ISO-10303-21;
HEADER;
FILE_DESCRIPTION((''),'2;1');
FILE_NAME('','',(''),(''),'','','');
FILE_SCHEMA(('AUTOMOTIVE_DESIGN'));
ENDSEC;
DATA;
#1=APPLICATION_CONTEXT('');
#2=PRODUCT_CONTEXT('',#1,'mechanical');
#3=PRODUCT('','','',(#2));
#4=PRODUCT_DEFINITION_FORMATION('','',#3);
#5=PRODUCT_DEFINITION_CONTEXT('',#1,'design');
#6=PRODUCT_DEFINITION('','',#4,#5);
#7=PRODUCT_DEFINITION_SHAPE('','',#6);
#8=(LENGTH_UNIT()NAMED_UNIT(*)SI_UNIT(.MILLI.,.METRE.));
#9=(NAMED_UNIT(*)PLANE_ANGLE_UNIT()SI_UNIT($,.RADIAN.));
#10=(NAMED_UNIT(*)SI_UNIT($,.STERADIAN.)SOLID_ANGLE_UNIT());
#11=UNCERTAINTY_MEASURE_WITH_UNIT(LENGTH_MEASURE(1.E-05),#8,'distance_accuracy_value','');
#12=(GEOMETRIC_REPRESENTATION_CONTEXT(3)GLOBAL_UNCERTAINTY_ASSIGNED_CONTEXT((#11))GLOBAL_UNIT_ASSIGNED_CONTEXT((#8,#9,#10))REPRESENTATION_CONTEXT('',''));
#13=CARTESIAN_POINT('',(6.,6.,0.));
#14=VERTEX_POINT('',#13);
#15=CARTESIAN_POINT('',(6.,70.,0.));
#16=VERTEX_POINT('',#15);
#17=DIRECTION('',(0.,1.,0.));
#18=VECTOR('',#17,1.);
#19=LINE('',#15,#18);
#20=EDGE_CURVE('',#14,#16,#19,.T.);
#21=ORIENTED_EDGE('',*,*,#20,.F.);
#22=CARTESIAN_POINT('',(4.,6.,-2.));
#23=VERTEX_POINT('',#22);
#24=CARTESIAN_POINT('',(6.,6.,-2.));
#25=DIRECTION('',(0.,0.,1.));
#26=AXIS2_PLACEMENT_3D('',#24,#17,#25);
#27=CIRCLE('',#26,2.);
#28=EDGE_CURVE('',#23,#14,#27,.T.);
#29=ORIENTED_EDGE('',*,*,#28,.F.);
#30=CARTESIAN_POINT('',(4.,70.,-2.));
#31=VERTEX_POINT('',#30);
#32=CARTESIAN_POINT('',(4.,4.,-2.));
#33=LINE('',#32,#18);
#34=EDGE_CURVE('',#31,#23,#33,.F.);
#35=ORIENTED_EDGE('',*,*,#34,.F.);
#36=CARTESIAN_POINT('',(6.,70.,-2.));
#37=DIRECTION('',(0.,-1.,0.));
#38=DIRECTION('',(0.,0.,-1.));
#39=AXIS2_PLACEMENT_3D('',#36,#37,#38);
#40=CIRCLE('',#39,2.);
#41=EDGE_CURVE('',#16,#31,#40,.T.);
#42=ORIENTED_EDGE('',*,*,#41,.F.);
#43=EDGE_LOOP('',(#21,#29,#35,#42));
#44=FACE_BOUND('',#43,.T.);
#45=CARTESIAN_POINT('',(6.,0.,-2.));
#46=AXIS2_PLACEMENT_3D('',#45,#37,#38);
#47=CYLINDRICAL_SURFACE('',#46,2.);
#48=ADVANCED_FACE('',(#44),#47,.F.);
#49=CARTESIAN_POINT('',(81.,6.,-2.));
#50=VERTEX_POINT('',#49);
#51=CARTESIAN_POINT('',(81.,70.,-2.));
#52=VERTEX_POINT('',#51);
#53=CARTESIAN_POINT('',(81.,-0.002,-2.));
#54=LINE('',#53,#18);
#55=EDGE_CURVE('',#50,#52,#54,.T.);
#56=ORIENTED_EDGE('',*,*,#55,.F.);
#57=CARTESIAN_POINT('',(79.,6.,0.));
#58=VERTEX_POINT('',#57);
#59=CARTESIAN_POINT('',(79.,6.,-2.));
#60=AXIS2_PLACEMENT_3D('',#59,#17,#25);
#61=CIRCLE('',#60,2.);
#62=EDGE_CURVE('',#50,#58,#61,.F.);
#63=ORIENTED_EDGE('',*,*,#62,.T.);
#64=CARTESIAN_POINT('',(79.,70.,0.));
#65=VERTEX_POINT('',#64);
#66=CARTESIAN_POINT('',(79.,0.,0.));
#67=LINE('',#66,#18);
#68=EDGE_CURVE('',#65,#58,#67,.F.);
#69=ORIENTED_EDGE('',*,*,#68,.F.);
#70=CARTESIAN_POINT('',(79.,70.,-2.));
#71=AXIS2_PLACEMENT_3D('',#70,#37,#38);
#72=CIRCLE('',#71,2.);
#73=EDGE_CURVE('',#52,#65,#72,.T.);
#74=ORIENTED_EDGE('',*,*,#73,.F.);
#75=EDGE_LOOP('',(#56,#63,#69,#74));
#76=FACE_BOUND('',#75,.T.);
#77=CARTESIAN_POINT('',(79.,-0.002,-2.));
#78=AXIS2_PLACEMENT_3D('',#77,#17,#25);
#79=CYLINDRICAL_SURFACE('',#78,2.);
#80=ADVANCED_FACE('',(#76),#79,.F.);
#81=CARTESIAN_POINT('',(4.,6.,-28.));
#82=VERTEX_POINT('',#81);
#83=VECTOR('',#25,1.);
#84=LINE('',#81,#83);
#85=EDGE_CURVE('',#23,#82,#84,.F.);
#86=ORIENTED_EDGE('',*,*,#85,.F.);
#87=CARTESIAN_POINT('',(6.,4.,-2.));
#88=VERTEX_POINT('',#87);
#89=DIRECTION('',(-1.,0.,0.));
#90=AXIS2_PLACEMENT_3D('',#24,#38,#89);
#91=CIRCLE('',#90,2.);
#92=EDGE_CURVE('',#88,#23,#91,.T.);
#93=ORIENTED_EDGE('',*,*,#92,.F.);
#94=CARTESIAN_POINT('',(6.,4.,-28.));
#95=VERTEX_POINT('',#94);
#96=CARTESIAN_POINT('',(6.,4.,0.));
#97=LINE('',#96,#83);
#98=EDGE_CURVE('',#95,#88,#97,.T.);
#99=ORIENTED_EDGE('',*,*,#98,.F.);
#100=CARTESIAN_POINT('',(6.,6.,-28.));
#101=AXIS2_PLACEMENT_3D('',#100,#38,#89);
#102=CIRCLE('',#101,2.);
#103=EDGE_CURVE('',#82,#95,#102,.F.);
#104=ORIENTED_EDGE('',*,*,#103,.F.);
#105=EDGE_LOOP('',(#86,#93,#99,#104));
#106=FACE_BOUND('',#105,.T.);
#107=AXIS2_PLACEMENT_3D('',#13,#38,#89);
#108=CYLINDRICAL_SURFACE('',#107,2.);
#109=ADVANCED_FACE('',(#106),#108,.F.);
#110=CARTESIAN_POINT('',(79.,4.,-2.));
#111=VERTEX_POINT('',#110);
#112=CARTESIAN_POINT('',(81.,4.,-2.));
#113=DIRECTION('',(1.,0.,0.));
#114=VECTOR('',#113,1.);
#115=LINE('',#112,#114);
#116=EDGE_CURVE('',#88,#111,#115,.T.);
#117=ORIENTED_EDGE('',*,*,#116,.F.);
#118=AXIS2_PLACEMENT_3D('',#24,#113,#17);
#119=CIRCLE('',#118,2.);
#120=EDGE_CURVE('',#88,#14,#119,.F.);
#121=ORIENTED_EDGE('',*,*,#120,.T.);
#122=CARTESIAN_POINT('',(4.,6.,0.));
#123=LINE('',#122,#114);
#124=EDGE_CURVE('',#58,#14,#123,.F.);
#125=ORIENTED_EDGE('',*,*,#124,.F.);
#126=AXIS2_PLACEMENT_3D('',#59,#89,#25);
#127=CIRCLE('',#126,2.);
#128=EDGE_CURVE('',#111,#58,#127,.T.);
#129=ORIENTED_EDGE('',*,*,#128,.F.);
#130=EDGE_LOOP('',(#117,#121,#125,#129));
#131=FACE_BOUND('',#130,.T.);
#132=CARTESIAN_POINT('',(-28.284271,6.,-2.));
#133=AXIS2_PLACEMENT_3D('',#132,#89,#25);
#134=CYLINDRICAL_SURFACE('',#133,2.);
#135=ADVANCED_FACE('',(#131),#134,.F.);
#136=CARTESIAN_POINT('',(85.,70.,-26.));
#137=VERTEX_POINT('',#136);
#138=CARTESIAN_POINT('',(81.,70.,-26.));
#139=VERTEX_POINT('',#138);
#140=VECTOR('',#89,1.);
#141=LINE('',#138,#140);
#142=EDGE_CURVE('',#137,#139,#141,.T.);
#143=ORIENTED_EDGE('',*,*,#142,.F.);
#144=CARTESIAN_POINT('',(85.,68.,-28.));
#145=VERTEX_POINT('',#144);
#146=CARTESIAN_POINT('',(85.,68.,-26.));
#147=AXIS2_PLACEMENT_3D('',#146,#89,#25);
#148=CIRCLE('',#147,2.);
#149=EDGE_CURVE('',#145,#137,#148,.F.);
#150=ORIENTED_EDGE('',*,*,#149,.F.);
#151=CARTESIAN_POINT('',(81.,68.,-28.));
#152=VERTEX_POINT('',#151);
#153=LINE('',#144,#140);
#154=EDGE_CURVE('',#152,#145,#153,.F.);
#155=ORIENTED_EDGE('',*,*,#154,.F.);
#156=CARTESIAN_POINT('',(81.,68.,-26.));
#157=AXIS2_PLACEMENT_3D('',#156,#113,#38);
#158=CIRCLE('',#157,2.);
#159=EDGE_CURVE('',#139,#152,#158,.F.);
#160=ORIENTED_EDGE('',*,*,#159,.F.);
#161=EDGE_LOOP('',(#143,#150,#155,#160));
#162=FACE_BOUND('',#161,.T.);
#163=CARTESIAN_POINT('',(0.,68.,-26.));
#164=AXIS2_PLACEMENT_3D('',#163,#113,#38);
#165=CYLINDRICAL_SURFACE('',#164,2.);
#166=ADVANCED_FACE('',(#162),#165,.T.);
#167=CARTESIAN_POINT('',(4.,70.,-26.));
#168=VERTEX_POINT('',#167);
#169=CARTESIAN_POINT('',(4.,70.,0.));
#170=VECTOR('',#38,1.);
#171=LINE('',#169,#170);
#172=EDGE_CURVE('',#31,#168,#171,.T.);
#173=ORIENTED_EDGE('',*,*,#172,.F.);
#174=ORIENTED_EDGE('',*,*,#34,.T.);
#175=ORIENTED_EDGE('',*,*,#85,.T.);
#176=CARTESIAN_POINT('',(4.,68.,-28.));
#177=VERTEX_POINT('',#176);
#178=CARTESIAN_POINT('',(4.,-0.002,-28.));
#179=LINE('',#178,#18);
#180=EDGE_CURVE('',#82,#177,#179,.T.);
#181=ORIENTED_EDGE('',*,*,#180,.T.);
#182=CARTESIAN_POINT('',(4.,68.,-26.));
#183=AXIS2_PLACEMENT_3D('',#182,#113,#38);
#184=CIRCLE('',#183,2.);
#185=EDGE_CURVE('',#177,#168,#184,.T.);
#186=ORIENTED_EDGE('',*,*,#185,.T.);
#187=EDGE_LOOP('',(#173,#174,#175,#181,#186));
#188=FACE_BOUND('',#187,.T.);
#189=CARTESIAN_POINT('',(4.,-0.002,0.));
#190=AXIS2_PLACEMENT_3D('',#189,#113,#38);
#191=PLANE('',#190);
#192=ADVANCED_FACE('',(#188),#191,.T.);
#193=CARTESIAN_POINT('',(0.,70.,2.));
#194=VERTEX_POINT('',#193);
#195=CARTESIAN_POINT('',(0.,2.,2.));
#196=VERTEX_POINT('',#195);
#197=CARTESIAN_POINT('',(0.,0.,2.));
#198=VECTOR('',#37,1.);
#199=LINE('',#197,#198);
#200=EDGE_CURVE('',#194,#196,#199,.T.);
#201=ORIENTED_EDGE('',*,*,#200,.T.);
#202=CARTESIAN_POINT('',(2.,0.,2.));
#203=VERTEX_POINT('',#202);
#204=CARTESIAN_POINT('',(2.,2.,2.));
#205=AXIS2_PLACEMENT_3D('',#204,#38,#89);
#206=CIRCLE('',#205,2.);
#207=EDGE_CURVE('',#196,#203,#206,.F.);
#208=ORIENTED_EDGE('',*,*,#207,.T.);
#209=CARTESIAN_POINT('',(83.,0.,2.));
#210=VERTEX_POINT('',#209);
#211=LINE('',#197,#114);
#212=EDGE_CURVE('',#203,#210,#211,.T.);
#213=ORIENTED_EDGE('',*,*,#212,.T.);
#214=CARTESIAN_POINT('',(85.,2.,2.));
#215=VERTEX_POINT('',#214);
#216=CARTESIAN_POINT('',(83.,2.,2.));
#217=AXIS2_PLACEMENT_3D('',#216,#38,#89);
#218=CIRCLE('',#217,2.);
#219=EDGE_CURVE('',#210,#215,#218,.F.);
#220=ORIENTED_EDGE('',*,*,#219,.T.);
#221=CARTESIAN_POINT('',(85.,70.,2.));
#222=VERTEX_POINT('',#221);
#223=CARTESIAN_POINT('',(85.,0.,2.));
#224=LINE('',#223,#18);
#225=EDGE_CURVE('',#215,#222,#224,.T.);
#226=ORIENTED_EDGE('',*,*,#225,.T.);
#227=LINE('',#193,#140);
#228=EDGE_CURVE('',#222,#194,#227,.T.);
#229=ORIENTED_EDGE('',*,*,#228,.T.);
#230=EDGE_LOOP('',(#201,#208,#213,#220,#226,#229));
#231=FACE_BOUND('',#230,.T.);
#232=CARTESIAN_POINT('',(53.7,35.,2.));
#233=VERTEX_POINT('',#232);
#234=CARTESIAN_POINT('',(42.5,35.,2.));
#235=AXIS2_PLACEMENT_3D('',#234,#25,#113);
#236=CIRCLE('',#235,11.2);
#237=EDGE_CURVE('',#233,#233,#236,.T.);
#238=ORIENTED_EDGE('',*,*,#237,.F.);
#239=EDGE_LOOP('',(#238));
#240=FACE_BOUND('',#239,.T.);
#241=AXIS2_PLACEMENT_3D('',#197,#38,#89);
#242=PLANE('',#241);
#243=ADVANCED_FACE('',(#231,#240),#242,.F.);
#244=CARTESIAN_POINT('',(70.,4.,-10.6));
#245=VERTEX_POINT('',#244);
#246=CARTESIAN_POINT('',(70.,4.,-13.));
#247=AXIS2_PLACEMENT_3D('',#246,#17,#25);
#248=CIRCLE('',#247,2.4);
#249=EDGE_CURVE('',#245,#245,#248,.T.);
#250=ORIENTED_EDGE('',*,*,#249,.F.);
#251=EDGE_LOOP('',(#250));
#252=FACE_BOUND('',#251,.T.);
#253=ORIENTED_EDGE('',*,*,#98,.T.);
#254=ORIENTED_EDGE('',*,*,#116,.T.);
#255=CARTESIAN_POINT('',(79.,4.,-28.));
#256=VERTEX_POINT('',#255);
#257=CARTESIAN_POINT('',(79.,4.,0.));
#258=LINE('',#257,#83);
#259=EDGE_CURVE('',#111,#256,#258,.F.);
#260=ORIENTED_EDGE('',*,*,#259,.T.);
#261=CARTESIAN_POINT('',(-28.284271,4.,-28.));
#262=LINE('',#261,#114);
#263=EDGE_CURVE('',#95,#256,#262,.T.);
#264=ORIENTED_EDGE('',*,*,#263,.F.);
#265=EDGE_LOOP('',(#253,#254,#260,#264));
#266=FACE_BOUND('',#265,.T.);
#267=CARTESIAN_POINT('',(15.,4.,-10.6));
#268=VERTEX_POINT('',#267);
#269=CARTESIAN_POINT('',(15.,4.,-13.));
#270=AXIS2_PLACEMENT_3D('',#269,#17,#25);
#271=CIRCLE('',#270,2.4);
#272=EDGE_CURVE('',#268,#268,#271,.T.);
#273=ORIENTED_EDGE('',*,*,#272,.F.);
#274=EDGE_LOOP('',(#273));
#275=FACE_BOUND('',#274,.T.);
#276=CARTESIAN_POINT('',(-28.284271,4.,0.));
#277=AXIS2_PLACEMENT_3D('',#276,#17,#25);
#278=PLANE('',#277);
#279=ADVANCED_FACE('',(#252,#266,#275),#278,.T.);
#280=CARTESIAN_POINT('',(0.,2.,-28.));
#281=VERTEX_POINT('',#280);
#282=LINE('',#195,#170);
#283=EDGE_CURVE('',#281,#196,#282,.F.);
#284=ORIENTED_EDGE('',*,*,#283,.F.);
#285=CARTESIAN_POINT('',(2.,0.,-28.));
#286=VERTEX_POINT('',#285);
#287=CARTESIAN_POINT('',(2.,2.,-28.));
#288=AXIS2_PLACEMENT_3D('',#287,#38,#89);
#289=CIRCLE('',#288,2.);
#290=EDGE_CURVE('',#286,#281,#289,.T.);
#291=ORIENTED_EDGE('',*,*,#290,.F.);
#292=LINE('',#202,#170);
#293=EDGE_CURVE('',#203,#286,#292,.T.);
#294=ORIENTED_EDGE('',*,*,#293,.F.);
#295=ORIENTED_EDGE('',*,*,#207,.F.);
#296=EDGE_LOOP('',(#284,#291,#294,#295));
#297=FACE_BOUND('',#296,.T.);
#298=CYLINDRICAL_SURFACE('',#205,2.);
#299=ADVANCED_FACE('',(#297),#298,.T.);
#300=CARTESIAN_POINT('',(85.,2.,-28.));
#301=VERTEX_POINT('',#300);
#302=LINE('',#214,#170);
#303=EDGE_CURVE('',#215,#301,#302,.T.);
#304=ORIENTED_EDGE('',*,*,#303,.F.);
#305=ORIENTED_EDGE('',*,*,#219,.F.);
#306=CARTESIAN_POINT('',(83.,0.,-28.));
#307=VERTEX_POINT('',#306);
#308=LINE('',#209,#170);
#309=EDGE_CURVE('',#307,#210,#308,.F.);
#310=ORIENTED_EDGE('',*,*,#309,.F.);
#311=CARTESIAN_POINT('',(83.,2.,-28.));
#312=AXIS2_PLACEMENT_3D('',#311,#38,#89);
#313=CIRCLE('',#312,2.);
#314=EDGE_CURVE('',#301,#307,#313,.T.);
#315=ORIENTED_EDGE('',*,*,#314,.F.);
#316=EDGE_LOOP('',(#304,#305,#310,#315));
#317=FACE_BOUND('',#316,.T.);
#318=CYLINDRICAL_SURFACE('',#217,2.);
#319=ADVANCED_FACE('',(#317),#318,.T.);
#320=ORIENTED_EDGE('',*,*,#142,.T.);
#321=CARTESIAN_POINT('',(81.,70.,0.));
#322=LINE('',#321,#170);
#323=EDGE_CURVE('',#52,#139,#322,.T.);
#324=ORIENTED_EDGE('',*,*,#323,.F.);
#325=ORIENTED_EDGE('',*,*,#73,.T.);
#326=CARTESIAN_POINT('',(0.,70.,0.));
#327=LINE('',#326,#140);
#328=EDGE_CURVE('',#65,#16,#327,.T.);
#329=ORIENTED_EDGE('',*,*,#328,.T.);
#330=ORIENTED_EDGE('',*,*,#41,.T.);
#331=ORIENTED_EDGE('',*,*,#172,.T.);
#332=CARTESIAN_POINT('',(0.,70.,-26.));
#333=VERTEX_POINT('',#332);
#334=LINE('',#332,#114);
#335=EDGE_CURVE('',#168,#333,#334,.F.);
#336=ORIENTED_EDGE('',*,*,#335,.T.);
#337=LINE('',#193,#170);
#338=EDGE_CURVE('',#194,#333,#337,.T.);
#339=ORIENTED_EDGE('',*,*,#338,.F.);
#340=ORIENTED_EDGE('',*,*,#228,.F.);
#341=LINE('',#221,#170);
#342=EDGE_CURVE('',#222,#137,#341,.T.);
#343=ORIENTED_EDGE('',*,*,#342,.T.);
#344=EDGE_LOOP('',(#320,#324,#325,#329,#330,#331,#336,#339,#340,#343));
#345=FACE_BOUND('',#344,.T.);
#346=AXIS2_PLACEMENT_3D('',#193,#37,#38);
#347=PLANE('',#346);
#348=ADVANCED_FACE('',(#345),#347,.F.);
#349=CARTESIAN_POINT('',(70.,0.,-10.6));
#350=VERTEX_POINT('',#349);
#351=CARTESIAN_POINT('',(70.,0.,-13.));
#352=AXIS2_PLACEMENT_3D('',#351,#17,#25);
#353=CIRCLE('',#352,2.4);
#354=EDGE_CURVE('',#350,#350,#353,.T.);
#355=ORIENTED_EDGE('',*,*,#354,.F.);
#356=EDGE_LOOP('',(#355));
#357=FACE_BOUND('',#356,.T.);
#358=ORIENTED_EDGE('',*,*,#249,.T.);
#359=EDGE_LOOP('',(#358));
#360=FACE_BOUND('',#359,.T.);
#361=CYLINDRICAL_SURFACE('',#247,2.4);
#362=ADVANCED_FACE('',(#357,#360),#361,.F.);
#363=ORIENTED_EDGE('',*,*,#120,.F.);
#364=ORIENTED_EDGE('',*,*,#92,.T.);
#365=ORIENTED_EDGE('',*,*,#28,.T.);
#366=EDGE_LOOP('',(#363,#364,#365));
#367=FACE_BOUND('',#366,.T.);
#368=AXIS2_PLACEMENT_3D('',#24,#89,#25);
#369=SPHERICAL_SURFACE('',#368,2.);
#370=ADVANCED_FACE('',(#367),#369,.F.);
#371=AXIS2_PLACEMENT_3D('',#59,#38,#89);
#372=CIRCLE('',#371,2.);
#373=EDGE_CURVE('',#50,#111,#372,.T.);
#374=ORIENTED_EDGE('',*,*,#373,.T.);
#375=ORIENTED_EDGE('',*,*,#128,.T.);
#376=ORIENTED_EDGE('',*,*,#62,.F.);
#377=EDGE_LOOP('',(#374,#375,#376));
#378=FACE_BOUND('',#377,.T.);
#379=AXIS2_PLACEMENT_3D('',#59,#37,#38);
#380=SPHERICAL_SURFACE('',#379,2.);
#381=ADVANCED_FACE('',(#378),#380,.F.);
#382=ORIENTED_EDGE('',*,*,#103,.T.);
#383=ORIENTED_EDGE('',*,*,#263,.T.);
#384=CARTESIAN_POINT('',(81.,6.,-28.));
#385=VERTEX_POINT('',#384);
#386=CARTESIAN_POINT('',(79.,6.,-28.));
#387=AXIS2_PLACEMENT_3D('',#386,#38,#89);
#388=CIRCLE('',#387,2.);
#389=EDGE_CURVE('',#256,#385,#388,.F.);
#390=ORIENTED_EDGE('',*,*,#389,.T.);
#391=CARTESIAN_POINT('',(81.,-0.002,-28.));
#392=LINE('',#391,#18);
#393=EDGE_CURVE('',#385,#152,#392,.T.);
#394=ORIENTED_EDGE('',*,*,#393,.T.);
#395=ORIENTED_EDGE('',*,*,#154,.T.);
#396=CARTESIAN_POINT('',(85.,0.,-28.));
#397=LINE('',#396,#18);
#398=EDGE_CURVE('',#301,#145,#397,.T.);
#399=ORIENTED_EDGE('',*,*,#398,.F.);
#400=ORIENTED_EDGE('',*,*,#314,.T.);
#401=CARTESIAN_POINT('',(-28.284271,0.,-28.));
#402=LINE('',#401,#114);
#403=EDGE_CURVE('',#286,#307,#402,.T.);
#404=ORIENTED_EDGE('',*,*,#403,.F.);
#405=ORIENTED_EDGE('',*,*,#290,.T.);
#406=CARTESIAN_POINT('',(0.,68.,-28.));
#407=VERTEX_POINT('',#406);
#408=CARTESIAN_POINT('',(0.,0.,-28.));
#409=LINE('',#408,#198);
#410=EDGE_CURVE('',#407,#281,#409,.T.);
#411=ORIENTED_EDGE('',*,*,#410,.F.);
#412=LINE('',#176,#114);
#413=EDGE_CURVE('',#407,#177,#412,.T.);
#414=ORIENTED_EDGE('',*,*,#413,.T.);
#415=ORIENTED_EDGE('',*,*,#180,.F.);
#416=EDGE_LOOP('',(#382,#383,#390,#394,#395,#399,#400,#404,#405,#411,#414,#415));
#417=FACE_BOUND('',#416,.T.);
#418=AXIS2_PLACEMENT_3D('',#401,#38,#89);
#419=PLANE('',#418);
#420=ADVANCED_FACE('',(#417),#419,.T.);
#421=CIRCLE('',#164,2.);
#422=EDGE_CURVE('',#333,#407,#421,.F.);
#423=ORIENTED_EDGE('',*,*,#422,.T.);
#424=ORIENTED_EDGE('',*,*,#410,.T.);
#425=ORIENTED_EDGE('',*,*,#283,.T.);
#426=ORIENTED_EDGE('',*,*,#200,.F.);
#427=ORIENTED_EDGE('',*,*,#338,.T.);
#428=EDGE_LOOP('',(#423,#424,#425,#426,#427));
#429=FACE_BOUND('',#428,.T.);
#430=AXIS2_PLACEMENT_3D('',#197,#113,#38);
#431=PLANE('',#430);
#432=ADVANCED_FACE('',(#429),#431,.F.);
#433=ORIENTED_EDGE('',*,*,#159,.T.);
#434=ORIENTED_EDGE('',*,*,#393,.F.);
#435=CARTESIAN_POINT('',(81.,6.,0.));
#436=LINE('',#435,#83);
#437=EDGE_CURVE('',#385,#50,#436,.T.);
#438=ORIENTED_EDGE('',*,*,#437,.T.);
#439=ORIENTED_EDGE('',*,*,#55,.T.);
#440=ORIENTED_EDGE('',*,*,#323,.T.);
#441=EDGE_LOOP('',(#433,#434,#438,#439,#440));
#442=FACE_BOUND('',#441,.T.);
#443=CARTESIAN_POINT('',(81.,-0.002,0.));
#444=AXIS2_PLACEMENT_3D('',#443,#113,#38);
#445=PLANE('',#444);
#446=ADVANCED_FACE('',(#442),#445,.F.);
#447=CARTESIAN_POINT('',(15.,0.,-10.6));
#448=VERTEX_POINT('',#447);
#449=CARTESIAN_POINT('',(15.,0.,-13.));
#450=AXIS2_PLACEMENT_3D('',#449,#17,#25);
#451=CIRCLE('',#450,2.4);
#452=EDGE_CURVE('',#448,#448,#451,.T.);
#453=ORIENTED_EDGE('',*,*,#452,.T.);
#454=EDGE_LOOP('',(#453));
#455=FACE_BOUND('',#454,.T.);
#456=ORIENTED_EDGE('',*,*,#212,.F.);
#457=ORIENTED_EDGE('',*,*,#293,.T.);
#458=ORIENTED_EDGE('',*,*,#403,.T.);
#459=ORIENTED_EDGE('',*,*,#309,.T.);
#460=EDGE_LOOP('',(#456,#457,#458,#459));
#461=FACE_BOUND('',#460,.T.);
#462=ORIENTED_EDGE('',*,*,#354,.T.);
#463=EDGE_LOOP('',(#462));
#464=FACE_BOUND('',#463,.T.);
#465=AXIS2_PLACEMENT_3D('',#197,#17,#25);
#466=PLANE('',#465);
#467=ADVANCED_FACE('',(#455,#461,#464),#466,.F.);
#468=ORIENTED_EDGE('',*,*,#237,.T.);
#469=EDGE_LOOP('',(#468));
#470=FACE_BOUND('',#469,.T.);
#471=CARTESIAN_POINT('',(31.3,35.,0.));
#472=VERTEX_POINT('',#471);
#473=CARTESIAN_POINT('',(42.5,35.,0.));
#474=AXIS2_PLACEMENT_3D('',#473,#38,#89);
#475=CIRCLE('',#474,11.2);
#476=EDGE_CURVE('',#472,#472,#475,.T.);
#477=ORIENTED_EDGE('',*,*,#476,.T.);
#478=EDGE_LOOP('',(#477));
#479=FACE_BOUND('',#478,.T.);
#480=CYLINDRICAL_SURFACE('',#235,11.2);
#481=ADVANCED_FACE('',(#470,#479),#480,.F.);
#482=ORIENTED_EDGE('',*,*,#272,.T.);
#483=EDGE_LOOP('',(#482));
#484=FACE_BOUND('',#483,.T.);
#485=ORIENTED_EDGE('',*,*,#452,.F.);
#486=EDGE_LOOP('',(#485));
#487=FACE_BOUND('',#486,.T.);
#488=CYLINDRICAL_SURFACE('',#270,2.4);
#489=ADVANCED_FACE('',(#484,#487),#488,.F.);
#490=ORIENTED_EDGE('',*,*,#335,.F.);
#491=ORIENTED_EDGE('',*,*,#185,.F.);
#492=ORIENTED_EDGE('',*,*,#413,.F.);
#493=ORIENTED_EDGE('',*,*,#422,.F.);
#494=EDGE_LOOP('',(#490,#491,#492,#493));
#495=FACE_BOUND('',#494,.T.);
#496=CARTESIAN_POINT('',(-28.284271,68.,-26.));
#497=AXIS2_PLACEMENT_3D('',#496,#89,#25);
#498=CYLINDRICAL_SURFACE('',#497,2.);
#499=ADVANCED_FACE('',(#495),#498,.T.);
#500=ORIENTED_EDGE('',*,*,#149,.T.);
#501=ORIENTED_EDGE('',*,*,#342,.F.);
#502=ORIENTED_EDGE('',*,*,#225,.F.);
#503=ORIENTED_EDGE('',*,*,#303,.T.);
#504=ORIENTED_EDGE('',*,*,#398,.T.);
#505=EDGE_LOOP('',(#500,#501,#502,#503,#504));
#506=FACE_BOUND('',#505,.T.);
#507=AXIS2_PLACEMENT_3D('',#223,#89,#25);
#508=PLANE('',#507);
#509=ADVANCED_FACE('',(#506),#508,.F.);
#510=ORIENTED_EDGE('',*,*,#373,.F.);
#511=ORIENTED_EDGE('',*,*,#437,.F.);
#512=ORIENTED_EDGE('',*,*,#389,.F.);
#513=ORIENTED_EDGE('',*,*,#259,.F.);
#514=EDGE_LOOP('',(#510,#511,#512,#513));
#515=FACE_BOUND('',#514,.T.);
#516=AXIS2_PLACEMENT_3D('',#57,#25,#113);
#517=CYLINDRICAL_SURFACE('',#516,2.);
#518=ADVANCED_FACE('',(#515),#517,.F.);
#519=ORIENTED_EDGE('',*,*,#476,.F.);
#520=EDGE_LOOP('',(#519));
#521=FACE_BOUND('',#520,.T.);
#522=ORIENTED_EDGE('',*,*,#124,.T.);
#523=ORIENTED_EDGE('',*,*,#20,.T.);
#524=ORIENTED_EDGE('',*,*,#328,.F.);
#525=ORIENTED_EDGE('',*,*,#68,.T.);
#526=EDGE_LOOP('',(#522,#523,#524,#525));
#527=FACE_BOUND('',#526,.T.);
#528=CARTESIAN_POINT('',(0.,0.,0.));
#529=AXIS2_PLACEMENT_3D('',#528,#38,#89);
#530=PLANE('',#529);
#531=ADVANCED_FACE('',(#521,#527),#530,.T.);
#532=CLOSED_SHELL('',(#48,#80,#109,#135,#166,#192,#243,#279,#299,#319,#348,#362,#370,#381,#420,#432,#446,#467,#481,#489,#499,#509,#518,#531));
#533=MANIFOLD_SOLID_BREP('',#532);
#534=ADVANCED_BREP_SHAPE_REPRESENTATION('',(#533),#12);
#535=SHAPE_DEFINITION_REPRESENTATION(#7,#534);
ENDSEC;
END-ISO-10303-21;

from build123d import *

# Parameters (mm, degrees)
SKETCH1_W            = 85
SKETCH1_H            = 70
BOSS_EXTRUDE1_DEPTH  = 2
HOLE1_D              = 22.4
SKETCH5_W            = 28
SKETCH5_H            = 4
BOSS_EXTRUDE2_DEPTH  = 85
BOSS_EXTRUDE3_REACH  = 115.618
SKETCH6_W            = 4
SKETCH6_H            = 28
M4_CLEARANCE_HOLE1_D = 4.8
FILLET1_R            = 2


with BuildPart() as part:
    # Sketch1 → Boss-Extrude1 (new body)
    with BuildSketch(Plane.XY):
        with Locations((42.5, 35)):
            Rectangle(SKETCH1_W, SKETCH1_H)
    extrude(amount=BOSS_EXTRUDE1_DEPTH)

    # Hole1 (through all)
    with Locations(Plane.XY.offset(2)):
        with Locations((42.5, 35)):
            Hole(HOLE1_D / 2)

    # Sketch5 → Boss-Extrude2 (add)
    with BuildSketch(Plane(origin=(85, 0, 0), x_dir=(0, 0, -1), z_dir=(1, 0, 0))):
        with Locations((14, 2)):
            Rectangle(SKETCH5_W, SKETCH5_H)
    extrude(amount=-BOSS_EXTRUDE2_DEPTH)

    # Sketch6 → Boss-Extrude3 (add, up to next)
    with BuildSketch(Plane(origin=(0, 70, 0), x_dir=(1, 0, 0), z_dir=(0, 1, 0)), mode=Mode.PRIVATE) as boss_extrude3_sk1:
        with Locations((83, 14)):
            Rectangle(SKETCH6_W, SKETCH6_H)
    boss_extrude3_tool1 = extrude(boss_extrude3_sk1.sketch, amount=-BOSS_EXTRUDE3_REACH, mode=Mode.PRIVATE) - part.part
    # Sketch6 → Boss-Extrude3 (add, up to next)
    with BuildSketch(Plane(origin=(0, 70, 0), x_dir=(1, 0, 0), z_dir=(0, 1, 0)), mode=Mode.PRIVATE) as boss_extrude3_sk2:
        with Locations((2, 14)):
            Rectangle(SKETCH6_W, SKETCH6_H)
    boss_extrude3_tool2 = extrude(boss_extrude3_sk2.sketch, amount=-BOSS_EXTRUDE3_REACH, mode=Mode.PRIVATE) - part.part
    add(boss_extrude3_tool1.solids().sort_by_distance((83, 70, -14))[0])
    add(boss_extrude3_tool2.solids().sort_by_distance((2, 70, -14))[0])

    # M4 Clearance Hole1 (through all)
    with Locations(Plane(origin=(0, 4, 0), x_dir=(1, 0, 0), z_dir=(0, 1, 0))):
        with Locations((15, 13), (70, 13)):
            Hole(M4_CLEARANCE_HOLE1_D / 2)

    # Fillet1
    fillet1_edges = [part.edges().sort_by_distance(p)[0] for p in [
        (81, 4, -14),
        (81, 37, 0),
        (83, 70, -28),
        (42.5, 4, 0),
        (4, 4, -14),
        (2, 70, -28),
        (4, 37, 0),
        (85, 0, -13),
        (0, 0, -13),
    ]]
    fillet(fillet1_edges, radius=FILLET1_R)


solid = part.part
